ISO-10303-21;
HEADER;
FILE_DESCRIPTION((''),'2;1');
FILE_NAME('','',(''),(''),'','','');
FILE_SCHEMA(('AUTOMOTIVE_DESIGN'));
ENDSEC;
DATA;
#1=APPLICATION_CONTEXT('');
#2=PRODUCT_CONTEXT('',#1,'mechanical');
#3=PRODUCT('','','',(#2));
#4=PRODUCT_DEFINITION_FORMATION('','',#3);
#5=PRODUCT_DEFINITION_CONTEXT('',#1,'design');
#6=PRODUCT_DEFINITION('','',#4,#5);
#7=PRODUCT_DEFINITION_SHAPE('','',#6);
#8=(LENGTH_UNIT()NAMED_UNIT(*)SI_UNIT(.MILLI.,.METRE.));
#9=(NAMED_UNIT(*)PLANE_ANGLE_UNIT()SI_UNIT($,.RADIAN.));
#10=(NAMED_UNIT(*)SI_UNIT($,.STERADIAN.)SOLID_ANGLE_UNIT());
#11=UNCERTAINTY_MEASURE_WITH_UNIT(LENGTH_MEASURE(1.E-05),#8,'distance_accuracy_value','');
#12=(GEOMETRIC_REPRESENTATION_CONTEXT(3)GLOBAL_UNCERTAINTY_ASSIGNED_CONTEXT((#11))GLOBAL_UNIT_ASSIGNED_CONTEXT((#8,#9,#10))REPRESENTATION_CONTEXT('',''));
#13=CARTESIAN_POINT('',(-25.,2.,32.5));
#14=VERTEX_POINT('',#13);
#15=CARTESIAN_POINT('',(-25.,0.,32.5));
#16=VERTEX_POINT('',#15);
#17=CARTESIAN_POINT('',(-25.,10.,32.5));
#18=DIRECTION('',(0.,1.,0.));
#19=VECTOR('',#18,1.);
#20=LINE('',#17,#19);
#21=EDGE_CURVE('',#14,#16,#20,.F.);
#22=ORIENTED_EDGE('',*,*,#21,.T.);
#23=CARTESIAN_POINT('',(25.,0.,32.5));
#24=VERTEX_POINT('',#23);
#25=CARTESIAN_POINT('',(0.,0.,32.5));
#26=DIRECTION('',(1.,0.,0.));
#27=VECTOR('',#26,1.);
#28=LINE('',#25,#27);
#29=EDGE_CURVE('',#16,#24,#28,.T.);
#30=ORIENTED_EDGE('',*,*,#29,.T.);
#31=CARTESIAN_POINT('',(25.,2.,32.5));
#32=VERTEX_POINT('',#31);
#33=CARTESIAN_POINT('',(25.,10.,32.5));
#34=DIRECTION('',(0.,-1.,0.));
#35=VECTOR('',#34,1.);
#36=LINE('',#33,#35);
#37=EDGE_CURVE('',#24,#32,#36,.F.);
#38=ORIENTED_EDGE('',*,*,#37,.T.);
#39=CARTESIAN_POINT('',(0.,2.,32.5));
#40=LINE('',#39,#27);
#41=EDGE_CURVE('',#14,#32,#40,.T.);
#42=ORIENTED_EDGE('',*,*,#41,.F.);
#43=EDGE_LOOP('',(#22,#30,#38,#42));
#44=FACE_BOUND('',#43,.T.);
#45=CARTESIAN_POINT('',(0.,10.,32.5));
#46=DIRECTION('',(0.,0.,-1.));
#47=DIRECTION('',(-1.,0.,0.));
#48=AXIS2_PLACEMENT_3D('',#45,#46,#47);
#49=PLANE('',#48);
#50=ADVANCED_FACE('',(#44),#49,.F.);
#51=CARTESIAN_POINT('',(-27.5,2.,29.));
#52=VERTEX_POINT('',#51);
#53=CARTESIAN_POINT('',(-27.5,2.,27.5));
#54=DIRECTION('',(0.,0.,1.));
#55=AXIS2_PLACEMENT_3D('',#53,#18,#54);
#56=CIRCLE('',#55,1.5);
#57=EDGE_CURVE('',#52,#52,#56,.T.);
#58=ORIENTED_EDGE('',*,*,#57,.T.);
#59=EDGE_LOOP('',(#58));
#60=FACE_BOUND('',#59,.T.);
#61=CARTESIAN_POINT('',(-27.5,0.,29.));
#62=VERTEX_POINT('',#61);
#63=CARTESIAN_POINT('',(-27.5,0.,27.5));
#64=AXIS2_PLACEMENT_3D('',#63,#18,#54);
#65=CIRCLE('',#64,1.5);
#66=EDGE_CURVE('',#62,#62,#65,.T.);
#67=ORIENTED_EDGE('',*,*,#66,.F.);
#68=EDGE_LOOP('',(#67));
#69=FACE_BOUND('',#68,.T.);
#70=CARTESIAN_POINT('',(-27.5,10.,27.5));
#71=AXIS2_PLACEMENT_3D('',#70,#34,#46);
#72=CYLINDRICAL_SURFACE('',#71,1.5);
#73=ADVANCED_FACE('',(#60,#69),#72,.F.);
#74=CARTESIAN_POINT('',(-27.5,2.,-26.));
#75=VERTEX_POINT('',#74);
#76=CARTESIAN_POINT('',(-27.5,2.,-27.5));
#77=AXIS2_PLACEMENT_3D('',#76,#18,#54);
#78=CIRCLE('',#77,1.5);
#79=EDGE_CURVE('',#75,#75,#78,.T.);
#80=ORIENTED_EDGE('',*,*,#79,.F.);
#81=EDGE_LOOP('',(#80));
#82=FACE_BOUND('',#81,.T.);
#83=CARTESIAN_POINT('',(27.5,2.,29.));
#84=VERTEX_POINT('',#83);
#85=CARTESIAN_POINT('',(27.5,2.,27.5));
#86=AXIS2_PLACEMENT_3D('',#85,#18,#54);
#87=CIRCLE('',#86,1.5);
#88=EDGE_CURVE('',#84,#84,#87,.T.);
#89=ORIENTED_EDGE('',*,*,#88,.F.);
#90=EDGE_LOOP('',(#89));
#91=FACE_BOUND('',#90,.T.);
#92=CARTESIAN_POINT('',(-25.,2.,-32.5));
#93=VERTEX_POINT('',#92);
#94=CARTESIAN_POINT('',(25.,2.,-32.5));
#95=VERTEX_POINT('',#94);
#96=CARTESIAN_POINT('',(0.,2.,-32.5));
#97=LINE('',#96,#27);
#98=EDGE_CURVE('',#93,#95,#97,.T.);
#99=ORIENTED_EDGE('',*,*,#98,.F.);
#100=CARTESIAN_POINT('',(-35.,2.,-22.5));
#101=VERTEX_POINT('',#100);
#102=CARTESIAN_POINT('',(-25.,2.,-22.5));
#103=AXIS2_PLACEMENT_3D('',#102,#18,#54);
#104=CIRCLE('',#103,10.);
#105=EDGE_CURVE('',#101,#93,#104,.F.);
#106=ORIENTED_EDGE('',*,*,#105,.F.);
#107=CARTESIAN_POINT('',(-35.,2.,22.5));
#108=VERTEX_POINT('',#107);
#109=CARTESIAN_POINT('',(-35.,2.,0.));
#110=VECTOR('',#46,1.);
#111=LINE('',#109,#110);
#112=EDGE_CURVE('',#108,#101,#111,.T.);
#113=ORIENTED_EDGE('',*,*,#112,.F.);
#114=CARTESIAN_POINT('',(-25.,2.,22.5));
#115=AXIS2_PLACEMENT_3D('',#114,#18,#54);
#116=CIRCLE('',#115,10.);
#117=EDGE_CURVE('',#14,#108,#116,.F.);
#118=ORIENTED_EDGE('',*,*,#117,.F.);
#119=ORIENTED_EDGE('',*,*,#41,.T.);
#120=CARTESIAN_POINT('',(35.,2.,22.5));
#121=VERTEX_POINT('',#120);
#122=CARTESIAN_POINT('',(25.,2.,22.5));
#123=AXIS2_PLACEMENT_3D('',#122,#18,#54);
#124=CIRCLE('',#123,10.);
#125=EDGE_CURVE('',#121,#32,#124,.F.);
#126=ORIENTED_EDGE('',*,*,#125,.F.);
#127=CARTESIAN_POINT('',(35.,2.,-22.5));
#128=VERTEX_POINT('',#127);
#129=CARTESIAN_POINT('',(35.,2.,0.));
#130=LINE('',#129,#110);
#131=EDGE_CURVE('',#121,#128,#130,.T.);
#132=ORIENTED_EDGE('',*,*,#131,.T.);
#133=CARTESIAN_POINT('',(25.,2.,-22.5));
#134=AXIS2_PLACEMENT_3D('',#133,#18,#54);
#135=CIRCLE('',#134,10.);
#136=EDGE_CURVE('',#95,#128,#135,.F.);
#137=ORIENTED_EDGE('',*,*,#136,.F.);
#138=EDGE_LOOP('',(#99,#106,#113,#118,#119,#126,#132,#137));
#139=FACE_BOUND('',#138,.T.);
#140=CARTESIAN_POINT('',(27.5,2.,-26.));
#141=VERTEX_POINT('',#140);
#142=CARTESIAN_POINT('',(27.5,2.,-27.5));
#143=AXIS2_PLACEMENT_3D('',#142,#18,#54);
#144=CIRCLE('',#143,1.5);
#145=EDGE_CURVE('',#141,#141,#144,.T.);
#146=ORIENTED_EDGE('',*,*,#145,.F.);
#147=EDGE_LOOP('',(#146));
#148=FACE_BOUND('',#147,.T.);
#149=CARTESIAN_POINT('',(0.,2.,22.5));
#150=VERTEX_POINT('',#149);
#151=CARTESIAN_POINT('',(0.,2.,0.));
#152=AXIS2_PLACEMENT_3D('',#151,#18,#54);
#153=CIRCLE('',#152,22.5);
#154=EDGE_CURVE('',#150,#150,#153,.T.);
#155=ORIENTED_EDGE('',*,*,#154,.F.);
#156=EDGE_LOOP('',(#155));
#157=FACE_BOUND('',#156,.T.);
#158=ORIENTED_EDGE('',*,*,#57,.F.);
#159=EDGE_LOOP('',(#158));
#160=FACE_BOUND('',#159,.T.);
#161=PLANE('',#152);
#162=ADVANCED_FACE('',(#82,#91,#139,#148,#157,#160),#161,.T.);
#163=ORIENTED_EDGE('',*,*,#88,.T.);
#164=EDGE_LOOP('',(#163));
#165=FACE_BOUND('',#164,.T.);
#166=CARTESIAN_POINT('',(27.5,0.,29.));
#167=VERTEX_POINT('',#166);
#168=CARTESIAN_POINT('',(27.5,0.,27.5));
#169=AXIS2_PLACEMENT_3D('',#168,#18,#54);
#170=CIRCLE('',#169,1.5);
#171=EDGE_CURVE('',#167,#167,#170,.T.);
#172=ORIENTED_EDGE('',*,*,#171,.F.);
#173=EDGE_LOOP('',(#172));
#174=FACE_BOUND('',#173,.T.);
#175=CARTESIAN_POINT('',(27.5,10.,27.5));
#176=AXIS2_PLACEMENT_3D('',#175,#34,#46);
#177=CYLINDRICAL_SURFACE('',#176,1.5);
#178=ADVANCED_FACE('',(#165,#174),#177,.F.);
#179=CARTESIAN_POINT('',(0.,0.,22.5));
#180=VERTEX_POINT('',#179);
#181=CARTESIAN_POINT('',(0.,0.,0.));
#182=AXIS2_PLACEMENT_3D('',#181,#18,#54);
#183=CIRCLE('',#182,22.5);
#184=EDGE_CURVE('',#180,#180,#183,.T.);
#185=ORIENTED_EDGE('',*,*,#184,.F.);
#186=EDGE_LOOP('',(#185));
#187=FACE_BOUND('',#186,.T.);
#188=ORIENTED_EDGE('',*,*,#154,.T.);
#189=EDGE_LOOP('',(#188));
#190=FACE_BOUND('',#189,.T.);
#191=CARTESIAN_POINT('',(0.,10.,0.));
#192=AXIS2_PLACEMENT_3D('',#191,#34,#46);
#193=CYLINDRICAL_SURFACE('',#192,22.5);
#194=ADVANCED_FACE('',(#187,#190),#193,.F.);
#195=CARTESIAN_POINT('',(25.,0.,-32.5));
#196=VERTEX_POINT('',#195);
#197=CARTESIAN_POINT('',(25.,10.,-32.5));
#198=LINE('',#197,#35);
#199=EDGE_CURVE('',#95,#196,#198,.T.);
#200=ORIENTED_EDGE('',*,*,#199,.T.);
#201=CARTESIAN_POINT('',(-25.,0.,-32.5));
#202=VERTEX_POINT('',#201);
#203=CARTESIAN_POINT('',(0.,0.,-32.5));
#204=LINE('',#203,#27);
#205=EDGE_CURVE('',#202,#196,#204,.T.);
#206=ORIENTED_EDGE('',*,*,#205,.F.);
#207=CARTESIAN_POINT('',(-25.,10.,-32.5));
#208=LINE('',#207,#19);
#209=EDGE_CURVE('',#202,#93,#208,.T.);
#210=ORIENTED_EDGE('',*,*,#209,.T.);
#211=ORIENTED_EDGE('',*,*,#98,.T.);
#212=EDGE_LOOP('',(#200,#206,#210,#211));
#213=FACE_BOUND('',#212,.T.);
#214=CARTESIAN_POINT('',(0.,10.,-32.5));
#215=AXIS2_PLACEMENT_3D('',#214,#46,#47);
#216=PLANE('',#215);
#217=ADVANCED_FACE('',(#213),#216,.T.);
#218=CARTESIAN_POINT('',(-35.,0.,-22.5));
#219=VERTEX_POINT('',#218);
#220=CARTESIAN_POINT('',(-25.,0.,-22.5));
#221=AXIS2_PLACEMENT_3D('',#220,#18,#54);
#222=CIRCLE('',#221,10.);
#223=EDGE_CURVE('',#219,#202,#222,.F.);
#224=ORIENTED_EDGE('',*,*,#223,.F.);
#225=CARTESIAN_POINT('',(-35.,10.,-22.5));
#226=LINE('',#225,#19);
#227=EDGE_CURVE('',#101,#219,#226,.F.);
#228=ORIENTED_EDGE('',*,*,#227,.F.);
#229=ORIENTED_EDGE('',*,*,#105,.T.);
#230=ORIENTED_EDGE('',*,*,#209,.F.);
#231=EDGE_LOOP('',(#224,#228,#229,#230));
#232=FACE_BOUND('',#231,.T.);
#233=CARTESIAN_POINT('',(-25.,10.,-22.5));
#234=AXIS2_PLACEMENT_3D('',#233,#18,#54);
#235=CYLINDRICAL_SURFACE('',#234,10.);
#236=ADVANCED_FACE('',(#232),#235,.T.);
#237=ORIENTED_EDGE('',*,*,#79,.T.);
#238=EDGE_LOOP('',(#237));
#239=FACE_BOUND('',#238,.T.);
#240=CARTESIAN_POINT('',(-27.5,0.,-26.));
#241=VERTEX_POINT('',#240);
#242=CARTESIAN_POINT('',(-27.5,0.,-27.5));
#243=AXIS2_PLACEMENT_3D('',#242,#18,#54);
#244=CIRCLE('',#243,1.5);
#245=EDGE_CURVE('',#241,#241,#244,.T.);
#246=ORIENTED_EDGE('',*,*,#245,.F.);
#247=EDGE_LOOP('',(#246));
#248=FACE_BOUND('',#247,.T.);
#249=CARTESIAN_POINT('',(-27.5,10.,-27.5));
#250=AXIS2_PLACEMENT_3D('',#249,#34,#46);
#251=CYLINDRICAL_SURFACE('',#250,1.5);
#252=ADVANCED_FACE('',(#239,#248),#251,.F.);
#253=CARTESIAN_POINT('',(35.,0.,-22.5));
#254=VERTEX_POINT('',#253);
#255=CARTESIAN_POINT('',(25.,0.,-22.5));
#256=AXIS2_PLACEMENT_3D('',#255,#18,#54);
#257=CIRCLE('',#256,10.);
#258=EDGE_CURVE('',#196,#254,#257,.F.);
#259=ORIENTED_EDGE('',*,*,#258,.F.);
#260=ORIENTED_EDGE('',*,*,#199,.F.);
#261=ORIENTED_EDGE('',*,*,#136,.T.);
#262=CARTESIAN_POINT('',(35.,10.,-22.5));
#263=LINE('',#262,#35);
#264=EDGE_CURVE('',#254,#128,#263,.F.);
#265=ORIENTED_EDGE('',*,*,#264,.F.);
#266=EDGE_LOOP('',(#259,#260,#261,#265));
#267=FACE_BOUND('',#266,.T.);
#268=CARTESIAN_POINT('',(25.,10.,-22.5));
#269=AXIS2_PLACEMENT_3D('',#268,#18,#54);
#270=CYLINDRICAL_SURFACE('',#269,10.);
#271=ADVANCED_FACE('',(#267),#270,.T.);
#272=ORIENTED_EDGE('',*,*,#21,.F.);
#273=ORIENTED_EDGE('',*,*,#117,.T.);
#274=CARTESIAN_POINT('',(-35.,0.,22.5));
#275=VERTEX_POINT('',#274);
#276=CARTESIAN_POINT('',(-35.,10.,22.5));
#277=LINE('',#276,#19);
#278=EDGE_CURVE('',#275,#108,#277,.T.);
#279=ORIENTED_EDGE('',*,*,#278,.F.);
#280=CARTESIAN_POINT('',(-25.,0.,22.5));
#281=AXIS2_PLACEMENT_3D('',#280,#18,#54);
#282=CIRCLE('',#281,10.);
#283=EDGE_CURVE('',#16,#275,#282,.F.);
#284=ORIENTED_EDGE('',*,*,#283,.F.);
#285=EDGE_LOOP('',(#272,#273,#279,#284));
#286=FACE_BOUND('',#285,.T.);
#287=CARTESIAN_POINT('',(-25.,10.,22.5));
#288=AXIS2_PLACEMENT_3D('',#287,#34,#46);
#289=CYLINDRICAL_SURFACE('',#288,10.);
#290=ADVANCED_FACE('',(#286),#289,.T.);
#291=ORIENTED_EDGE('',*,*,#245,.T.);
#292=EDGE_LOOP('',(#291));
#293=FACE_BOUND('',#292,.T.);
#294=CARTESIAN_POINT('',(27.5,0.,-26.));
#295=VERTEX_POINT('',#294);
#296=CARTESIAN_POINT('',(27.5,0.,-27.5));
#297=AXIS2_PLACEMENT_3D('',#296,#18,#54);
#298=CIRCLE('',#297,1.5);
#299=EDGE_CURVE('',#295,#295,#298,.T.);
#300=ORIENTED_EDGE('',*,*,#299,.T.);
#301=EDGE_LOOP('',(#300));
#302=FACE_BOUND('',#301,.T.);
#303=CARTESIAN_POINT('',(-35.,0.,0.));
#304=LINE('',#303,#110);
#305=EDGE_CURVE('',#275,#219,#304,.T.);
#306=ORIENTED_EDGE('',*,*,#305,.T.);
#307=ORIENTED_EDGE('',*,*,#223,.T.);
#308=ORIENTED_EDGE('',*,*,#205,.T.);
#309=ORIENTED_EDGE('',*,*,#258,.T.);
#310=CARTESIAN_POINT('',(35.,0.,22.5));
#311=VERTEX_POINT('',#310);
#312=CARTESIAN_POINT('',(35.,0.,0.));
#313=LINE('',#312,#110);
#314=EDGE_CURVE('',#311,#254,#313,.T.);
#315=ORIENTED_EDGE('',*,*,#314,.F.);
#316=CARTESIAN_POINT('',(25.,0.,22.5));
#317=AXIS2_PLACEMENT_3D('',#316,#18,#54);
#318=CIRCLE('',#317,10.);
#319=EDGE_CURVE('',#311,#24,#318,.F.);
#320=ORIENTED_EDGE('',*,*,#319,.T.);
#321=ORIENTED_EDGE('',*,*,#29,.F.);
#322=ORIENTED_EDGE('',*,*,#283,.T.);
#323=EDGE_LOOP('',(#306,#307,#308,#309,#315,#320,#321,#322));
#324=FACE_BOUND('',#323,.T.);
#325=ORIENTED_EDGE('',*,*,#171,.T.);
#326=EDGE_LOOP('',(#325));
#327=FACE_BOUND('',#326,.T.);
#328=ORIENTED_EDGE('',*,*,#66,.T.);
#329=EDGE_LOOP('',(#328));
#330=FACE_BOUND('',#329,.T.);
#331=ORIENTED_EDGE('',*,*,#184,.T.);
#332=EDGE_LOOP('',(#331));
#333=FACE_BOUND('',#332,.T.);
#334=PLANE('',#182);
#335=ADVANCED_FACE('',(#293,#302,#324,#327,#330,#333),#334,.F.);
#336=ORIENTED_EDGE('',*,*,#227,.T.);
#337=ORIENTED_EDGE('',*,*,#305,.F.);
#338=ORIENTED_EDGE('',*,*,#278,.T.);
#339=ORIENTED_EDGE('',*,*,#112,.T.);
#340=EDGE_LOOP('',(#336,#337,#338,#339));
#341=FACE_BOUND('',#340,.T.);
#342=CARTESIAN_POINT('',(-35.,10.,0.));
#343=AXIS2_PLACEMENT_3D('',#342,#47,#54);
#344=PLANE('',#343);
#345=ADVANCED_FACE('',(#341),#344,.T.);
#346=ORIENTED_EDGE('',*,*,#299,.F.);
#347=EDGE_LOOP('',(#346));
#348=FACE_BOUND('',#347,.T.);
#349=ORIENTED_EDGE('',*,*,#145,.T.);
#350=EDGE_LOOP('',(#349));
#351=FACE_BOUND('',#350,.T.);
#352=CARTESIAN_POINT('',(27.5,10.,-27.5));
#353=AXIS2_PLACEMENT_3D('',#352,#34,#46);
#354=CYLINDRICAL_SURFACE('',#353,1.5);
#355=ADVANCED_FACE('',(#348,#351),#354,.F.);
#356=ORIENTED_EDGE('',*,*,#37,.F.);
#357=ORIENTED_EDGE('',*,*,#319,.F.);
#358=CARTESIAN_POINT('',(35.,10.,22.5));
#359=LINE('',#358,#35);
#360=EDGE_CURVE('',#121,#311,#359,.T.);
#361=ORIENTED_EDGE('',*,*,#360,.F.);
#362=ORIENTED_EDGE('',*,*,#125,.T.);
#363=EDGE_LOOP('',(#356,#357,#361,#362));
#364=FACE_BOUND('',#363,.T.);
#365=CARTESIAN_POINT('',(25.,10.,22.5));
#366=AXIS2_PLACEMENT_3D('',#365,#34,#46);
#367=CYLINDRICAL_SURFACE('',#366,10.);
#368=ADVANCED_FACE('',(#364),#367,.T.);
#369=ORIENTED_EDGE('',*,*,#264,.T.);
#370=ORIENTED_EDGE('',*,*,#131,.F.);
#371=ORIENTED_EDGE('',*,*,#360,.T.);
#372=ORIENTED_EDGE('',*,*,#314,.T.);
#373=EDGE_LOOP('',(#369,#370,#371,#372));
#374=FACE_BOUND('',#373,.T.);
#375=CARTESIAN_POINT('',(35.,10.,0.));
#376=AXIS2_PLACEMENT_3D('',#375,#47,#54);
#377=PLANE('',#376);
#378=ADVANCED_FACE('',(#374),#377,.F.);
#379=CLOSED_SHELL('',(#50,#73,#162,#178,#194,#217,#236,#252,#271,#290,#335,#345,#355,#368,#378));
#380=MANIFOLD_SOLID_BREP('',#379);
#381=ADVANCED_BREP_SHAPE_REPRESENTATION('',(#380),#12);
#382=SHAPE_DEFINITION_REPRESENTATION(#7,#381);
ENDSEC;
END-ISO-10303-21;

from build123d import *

# Parameters (mm, degrees)
SKETCH_1_W          = 70
SKETCH_1_H          = 65
SKETCH_1_R          = 22.5
SKETCH_1_R_2        = 1.5
EXTRUDE_1_DEPTH     = 10
FILLET_1_R          = 10
FILLET_2_R          = 10
FILLET_3_R          = 10
FILLET_4_R          = 10
SKETCH_2_W          = 161.633033244
SKETCH_2_H          = 138.385284329
CUT_EXTRUDE_1_DEPTH = 8


with BuildPart() as part:
    # 草图1 → 凸台-拉伸1 (new body)
    with BuildSketch(Plane(origin=(0, 0, 0), x_dir=(1, 0, 0), z_dir=(0, 1, 0))):
        Rectangle(SKETCH_1_W, SKETCH_1_H)
        with Locations(Location((0, 0, 0), (0, 0, 270))):
            Circle(SKETCH_1_R, mode=Mode.SUBTRACT)
        with Locations(Location((-27.5, 27.5, 0), (0, 0, 270))):
            Circle(SKETCH_1_R_2, mode=Mode.SUBTRACT)
        with Locations(Location((-27.5, -27.5, 0), (0, 0, 270))):
            Circle(SKETCH_1_R_2, mode=Mode.SUBTRACT)
        with Locations(Location((27.5, -27.5, 0), (0, 0, 270))):
            Circle(SKETCH_1_R_2, mode=Mode.SUBTRACT)
        with Locations(Location((27.5, 27.5, 0), (0, 0, 270))):
            Circle(SKETCH_1_R_2, mode=Mode.SUBTRACT)
    extrude(amount=EXTRUDE_1_DEPTH)

    # 圆角1
    fillet_1_edges = [part.edges().sort_by_distance(p)[0] for p in [
        (-35, 5, -32.5),
    ]]
    fillet(fillet_1_edges, radius=FILLET_1_R)

    # 圆角2
    fillet_2_edges = [part.edges().sort_by_distance(p)[0] for p in [
        (35, 5, -32.5),
    ]]
    fillet(fillet_2_edges, radius=FILLET_2_R)

    # 圆角3
    fillet_3_edges = [part.edges().sort_by_distance(p)[0] for p in [
        (-35, 5, 32.5),
    ]]
    fillet(fillet_3_edges, radius=FILLET_3_R)

    # 圆角4
    fillet_4_edges = [part.edges().sort_by_distance(p)[0] for p in [
        (35, 5, 32.5),
    ]]
    fillet(fillet_4_edges, radius=FILLET_4_R)

    # 草图2 → 切除-拉伸1 (cut)
    with BuildSketch(Plane(origin=(0, 10, 0), x_dir=(1, 0, 0), z_dir=(0, 1, 0))):
        with Locations((-39.612940585, 34.19866222)):
            Rectangle(SKETCH_2_W, SKETCH_2_H)
    extrude(amount=-CUT_EXTRUDE_1_DEPTH, mode=Mode.SUBTRACT)


solid = part.part
